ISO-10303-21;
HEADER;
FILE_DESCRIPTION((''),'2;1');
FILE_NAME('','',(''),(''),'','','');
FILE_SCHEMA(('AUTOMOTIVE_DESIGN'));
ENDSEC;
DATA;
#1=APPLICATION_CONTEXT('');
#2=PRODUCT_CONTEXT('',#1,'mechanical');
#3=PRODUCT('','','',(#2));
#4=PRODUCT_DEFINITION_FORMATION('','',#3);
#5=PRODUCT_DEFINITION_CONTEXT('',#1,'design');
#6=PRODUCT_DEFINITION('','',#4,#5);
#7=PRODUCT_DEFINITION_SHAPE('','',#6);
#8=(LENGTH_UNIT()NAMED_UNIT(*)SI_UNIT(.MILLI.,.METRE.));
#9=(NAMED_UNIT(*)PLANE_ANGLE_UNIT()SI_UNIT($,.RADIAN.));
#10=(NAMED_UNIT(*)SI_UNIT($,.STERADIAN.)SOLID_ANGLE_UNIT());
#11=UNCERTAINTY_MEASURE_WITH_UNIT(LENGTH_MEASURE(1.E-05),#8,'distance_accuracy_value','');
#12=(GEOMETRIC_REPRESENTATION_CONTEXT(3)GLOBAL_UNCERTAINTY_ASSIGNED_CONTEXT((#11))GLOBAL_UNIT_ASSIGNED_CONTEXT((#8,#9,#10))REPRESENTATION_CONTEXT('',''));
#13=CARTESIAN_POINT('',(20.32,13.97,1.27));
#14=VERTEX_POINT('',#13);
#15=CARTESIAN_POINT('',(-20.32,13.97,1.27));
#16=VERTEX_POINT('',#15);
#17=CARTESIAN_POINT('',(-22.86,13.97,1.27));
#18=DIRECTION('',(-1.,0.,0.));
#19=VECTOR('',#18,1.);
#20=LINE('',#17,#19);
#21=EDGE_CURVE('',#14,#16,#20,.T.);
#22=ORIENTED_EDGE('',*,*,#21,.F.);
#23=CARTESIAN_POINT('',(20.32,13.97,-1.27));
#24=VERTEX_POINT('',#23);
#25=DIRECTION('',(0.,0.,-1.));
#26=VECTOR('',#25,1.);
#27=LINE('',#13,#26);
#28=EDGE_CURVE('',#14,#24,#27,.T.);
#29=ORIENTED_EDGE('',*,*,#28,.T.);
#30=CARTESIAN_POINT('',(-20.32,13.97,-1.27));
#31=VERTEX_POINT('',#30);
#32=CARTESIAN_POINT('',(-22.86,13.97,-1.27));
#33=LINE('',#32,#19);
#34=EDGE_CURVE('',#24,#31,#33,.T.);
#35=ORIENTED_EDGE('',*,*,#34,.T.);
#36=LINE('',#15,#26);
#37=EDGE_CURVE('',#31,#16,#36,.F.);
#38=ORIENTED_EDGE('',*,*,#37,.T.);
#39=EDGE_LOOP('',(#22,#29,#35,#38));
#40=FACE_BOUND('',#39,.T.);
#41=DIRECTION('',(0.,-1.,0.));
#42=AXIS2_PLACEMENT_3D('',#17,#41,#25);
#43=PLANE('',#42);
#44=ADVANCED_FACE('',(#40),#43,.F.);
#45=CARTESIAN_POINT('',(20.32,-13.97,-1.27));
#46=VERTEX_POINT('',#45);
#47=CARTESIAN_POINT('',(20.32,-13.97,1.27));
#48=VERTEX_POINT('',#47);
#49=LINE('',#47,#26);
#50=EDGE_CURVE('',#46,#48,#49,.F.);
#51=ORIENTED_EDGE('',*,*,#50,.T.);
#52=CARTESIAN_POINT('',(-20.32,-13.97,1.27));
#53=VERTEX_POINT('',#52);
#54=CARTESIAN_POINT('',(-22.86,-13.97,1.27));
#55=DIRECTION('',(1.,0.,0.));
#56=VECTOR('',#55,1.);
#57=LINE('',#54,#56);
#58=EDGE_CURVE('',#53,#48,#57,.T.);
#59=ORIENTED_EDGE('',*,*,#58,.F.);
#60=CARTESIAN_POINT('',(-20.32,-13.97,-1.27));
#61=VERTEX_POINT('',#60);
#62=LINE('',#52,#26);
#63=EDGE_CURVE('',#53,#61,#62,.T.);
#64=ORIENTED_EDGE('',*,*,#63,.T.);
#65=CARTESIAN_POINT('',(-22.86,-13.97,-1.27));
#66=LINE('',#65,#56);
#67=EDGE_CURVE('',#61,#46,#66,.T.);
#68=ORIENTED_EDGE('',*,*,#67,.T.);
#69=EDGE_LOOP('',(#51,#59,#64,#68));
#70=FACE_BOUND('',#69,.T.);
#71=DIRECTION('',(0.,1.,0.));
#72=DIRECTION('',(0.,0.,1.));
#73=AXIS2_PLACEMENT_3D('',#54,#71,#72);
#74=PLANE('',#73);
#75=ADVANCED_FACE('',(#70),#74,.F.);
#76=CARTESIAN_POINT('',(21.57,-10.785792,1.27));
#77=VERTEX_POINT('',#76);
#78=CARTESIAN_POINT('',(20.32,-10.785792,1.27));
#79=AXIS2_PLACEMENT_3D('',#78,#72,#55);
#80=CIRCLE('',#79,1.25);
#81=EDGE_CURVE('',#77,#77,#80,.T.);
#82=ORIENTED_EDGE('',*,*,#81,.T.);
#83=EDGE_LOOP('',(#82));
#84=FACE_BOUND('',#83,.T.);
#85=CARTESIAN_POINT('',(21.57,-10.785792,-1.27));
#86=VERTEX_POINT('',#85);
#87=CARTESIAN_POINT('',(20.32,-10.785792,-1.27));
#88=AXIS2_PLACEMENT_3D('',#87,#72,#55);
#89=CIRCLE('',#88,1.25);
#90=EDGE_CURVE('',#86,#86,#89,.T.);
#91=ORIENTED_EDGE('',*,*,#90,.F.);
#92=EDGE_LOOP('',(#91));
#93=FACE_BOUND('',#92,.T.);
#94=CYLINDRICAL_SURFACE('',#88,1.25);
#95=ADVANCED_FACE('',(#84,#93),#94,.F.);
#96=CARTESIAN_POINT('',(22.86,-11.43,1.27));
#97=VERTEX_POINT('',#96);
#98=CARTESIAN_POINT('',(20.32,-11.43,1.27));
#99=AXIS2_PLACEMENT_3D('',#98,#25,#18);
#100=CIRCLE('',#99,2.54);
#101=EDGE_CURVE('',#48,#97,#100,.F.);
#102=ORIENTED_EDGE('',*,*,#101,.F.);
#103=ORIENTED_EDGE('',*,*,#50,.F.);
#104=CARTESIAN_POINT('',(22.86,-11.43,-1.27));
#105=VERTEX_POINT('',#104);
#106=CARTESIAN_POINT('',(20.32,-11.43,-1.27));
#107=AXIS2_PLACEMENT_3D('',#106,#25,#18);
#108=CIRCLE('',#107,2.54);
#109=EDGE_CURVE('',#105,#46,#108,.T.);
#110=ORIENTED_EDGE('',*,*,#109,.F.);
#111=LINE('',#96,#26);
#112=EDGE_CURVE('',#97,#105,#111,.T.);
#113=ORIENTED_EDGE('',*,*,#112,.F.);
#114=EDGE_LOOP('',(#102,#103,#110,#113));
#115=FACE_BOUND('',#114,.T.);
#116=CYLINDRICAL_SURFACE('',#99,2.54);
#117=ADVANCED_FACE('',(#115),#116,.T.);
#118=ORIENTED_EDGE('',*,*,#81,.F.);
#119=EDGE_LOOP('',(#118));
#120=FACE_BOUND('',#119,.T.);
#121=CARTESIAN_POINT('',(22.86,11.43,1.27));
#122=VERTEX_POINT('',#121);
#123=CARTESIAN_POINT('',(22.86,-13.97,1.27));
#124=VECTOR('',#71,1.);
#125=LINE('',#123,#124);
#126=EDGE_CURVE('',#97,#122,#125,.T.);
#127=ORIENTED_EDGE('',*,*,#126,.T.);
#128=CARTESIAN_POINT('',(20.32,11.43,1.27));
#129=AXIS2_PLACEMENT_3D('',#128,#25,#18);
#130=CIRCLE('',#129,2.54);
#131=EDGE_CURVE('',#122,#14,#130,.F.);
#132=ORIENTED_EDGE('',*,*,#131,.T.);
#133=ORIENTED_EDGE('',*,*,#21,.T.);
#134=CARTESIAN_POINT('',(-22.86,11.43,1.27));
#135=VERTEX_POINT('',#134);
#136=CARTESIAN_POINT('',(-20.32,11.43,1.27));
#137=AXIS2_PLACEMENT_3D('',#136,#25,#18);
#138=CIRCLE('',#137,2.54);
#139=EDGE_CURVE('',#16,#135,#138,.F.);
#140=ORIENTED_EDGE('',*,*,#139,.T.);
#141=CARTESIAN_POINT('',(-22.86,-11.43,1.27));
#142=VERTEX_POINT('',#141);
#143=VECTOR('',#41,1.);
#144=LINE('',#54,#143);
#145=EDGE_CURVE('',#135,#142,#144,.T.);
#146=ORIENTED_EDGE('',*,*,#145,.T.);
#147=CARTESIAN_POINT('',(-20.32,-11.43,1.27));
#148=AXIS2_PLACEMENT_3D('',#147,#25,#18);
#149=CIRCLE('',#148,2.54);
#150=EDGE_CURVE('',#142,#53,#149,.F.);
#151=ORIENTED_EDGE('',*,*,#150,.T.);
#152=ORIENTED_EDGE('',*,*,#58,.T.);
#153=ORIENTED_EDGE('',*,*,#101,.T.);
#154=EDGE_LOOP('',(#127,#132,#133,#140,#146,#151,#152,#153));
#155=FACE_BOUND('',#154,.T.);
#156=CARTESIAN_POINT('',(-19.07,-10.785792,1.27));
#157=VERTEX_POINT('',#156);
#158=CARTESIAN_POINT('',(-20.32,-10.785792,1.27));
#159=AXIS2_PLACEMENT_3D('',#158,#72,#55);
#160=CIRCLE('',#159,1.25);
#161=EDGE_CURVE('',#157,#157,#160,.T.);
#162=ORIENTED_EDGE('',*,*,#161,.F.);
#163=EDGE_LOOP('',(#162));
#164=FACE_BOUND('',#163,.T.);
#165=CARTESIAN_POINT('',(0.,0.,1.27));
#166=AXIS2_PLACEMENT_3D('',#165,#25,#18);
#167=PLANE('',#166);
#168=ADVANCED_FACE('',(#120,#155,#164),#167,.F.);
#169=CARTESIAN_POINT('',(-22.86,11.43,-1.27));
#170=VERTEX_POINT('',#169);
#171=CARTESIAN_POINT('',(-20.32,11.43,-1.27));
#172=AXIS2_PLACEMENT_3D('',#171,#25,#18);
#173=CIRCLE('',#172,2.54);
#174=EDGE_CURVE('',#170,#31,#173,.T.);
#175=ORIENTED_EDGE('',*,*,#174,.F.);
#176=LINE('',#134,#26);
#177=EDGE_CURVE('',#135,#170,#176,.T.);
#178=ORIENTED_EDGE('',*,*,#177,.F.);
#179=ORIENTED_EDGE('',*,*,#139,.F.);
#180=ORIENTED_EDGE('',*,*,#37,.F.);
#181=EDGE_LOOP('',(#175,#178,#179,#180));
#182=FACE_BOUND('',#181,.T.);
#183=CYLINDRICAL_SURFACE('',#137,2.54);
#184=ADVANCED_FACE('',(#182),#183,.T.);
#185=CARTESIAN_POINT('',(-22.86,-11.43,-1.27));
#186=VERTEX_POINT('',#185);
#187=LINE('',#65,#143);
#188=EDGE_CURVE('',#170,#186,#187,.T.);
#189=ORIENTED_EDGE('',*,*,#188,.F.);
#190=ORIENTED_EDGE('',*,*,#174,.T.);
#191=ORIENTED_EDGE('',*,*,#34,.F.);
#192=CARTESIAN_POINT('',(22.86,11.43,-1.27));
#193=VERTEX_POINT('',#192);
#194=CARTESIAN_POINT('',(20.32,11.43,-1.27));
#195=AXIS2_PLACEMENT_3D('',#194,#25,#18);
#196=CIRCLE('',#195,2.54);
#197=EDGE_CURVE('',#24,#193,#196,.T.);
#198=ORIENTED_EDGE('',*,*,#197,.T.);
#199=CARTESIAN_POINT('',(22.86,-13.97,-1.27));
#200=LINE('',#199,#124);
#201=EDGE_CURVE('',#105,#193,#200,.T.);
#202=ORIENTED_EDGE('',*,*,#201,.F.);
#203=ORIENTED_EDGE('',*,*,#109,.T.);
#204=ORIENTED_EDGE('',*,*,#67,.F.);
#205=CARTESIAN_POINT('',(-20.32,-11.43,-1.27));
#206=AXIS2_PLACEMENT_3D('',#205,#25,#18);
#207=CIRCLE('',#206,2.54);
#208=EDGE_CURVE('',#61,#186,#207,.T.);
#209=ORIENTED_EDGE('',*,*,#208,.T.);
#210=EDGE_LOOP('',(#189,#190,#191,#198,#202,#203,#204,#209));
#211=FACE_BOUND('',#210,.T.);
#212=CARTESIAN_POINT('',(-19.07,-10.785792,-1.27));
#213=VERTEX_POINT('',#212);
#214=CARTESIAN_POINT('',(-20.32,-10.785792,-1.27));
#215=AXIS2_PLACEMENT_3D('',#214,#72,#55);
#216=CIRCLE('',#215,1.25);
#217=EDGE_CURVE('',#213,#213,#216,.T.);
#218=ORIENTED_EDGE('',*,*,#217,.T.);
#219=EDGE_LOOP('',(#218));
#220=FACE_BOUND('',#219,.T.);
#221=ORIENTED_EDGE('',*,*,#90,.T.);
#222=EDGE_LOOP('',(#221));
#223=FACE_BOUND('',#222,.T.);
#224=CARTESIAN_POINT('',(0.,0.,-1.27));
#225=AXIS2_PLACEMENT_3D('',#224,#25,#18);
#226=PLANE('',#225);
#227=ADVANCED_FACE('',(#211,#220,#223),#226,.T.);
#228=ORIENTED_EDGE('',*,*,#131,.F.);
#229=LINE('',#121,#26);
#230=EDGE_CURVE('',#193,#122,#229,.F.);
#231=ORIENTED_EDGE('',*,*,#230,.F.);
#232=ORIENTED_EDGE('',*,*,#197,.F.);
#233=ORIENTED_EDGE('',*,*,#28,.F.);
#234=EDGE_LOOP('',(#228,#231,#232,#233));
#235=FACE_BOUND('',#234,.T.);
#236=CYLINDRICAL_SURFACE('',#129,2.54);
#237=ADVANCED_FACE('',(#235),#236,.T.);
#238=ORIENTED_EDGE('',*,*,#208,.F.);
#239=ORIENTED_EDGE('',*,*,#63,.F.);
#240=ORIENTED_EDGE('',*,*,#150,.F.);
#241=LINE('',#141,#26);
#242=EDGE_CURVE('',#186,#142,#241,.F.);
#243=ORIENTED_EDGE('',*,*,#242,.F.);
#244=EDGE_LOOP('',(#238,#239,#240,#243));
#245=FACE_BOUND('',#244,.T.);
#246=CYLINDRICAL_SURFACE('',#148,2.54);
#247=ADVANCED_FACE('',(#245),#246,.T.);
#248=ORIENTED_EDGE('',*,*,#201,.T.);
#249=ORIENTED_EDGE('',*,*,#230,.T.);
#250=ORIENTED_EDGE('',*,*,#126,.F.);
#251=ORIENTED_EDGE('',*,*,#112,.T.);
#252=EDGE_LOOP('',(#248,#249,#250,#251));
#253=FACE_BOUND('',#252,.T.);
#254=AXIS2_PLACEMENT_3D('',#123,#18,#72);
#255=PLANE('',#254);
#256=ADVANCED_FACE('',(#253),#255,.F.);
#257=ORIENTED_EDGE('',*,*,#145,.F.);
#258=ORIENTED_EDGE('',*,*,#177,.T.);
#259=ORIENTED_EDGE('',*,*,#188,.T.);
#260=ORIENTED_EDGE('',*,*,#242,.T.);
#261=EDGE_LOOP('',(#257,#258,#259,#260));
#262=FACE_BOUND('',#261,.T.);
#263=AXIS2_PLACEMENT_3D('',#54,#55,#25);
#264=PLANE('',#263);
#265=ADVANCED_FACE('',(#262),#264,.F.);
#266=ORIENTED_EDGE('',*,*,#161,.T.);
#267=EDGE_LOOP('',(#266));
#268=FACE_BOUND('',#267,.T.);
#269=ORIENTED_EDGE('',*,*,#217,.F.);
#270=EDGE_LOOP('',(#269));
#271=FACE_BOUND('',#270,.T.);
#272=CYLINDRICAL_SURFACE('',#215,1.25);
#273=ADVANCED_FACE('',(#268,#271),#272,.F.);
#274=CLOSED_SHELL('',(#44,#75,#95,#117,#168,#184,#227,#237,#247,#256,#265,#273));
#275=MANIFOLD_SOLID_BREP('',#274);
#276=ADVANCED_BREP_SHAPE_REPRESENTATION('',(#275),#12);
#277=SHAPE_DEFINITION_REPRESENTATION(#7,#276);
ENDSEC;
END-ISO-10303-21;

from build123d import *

# Parameters (mm, degrees)
SKETCH1_W           = 45.72
SKETCH1_H           = 27.94
BOSS_EXTRUDE1_DEPTH = 1.27
FILLET1_R           = 2.54
SKETCH2_R           = 1.25
CUT_EXTRUDE1_DEPTH  = 2.54


with BuildPart() as part:
    # Sketch1 → Boss-Extrude1 (new body, symmetric)
    with BuildSketch(Plane.XY):
        Rectangle(SKETCH1_W, SKETCH1_H)
    extrude(amount=BOSS_EXTRUDE1_DEPTH, both=True)

    # Fillet1
    fillet1_edges = [part.edges().sort_by_distance(p)[0] for p in [
        (22.86, -13.97, 0),
        (-22.86, -13.97, 0),
        (-22.86, 13.97, 0),
        (22.86, 13.97, 0),
    ]]
    fillet(fillet1_edges, radius=FILLET1_R)

    # Sketch2 → Cut-Extrude1 (cut)
    with BuildSketch(Plane.XY.offset(1.27)):
        with Locations((-20.32, -10.785792079)):
            Circle(SKETCH2_R)
        with Locations((20.32, -10.785792079)):
            Circle(SKETCH2_R)
    extrude(amount=-CUT_EXTRUDE1_DEPTH, mode=Mode.SUBTRACT)


solid = part.part
